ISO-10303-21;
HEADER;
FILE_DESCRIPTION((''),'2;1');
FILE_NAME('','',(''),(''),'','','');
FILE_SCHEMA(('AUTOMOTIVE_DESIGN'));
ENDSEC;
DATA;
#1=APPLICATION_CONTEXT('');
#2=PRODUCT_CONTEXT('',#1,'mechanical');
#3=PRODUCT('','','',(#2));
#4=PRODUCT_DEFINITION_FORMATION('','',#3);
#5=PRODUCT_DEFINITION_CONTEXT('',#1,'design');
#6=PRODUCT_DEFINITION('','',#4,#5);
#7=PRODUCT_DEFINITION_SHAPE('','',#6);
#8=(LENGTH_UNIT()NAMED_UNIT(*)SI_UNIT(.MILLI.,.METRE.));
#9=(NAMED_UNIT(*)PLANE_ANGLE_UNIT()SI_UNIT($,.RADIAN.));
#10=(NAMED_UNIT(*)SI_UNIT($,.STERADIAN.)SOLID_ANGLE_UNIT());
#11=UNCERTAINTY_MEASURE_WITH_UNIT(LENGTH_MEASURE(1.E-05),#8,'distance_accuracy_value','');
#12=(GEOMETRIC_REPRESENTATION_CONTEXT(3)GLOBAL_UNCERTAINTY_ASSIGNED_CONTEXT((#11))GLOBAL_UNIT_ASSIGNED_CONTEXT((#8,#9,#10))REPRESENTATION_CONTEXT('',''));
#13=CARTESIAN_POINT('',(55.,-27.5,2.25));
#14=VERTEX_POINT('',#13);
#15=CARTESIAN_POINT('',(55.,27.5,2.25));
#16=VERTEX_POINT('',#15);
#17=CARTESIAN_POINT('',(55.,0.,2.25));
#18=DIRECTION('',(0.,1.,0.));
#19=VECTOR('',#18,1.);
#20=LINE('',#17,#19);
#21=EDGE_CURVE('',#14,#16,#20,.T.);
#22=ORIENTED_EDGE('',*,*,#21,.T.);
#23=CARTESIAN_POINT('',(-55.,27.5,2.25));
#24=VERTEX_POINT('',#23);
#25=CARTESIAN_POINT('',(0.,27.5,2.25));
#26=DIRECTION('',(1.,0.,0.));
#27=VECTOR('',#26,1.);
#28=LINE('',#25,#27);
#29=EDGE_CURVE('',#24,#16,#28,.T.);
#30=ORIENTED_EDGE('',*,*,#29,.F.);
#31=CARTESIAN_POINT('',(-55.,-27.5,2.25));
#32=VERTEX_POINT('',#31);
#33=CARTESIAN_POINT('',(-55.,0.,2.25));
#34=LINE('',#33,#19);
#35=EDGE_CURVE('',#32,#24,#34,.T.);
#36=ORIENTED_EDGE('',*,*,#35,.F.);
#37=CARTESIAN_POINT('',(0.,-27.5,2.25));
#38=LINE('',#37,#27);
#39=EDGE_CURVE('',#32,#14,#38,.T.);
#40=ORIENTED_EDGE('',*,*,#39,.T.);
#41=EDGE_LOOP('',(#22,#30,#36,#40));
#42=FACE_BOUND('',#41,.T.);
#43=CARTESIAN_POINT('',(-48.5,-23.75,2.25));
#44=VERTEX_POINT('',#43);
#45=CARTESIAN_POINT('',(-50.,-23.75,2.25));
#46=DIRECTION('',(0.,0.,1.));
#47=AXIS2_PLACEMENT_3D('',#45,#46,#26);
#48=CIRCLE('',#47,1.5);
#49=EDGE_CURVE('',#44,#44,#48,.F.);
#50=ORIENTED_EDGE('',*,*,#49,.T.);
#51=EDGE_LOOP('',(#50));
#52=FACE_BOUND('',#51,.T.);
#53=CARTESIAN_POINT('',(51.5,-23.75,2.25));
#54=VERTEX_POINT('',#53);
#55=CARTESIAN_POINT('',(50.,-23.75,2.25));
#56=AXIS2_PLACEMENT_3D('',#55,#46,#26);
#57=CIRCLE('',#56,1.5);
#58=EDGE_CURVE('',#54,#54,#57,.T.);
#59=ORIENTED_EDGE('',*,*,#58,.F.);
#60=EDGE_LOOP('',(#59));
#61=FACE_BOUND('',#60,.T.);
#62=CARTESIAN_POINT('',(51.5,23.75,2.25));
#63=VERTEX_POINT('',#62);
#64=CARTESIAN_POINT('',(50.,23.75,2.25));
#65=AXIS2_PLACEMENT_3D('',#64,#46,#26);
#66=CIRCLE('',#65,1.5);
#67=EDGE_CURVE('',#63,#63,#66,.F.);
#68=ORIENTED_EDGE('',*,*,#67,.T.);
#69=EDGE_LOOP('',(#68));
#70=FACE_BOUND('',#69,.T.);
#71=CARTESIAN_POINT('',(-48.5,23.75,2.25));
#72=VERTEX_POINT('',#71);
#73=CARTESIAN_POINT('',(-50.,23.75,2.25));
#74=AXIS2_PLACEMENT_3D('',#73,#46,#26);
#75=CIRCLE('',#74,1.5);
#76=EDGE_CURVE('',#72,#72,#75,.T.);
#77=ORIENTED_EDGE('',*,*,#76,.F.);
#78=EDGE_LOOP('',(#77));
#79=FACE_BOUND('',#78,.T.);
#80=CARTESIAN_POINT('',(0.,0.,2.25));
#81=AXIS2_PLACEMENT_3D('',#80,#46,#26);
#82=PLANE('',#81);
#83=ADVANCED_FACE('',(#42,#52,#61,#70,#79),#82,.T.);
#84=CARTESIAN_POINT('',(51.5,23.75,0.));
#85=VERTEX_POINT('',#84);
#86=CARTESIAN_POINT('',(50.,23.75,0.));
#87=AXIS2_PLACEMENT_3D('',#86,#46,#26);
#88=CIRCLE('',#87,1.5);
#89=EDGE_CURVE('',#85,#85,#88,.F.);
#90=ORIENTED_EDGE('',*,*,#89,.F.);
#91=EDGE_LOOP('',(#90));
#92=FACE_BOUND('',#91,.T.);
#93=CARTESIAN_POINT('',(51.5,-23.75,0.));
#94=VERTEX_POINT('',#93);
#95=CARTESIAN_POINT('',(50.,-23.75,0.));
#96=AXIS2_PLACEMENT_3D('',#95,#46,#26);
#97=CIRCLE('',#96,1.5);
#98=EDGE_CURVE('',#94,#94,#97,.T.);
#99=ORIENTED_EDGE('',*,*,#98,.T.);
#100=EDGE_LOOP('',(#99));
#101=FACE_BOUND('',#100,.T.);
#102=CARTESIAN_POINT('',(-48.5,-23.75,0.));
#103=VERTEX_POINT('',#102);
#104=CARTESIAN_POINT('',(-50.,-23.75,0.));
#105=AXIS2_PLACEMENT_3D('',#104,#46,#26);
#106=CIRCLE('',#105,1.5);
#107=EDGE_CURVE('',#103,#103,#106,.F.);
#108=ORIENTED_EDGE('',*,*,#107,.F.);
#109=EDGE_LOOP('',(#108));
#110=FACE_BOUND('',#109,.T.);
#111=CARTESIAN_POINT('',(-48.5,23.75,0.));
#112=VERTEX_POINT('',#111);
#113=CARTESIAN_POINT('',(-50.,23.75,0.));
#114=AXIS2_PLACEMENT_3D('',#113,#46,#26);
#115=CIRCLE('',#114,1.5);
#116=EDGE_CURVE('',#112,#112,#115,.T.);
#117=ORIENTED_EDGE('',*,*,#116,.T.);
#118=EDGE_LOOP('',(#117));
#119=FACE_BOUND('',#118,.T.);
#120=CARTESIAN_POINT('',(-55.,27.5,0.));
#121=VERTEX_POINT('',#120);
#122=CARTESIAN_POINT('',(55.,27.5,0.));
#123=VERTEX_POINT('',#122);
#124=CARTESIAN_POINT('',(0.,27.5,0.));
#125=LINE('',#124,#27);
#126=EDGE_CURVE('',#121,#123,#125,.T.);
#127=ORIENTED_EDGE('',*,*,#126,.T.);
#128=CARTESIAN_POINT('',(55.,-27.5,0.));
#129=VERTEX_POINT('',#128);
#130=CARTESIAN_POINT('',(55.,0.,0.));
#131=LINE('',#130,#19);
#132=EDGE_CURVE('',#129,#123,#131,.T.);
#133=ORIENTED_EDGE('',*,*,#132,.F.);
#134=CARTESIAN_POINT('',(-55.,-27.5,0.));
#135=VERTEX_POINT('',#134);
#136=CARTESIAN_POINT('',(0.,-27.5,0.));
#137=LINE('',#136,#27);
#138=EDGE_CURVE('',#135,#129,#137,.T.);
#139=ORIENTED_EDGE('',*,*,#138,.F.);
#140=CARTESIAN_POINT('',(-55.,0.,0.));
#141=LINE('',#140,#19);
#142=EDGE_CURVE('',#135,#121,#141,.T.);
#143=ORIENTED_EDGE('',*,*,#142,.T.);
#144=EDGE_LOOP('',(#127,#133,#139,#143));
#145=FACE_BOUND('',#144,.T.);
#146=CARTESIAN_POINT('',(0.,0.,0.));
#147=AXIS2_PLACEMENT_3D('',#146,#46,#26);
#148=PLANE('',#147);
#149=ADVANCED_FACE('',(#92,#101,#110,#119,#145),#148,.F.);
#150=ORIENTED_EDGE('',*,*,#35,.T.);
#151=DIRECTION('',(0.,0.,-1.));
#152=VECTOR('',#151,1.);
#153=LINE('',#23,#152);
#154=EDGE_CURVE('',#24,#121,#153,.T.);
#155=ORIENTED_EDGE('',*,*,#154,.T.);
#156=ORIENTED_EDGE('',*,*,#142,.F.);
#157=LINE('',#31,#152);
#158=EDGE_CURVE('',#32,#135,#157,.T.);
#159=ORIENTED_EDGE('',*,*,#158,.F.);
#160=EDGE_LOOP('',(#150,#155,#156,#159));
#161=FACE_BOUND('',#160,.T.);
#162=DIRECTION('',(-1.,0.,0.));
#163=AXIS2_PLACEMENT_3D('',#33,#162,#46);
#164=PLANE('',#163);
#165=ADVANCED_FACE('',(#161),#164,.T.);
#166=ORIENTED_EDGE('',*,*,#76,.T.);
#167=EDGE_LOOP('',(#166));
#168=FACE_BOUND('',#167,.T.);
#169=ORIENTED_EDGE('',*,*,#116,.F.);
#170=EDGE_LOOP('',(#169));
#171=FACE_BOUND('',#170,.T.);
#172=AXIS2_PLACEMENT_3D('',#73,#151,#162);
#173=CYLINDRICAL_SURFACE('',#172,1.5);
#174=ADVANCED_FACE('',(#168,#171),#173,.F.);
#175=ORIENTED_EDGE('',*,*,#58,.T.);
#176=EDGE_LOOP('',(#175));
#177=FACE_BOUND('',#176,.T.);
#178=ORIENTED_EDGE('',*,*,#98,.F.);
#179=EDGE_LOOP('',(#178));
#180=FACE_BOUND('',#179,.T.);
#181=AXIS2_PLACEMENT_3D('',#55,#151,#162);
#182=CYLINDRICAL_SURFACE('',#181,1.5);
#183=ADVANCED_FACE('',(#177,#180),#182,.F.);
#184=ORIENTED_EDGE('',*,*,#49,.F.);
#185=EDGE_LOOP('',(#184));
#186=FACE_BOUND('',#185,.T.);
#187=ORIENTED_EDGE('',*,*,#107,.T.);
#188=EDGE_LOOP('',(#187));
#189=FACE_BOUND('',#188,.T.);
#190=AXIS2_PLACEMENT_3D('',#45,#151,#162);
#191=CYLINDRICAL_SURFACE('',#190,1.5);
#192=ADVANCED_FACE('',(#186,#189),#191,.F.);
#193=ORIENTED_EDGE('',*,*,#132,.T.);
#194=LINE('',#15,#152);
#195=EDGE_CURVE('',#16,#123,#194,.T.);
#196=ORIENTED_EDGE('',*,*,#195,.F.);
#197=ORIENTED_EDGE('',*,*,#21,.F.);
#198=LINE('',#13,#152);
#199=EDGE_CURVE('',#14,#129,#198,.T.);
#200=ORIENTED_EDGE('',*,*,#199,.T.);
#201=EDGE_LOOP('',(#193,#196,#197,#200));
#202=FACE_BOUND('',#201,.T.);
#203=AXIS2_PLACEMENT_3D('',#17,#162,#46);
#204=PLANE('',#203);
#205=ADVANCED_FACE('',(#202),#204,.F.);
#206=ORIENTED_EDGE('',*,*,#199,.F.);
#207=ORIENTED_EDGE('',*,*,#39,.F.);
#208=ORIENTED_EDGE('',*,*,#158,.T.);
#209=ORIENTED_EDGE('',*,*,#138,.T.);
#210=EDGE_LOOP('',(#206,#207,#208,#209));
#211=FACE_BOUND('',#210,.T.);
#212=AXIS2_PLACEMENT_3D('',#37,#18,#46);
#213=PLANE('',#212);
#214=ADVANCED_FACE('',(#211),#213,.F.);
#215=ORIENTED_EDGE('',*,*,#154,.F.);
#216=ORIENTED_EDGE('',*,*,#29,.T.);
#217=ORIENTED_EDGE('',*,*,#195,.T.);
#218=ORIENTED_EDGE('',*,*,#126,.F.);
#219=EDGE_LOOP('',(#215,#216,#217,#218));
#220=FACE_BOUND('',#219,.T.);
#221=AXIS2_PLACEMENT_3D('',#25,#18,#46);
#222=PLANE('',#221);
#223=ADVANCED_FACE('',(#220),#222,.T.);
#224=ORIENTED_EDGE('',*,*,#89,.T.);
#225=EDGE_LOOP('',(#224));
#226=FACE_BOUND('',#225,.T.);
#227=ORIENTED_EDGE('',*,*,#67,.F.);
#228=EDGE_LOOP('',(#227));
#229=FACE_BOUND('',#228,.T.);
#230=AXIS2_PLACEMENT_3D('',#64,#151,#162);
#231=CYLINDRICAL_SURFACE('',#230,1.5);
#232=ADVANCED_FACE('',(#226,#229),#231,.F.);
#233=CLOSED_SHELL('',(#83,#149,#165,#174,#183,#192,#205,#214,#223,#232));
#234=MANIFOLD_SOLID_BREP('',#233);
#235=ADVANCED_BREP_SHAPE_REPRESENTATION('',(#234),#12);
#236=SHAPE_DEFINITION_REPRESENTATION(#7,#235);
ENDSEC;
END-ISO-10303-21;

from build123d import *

# Parameters (mm, degrees)
SKETCH_1_W      = 110
SKETCH_1_H      = 55
SKETCH_1_R      = 1.5
EXTRUDE_1_DEPTH = 2.25


with BuildPart() as part:
    # Эскиз1 → Бобышка-Вытянуть1 (new body)
    with BuildSketch(Plane.XY):
        Rectangle(SKETCH_1_W, SKETCH_1_H)
        with Locations((-50, -23.75)):
            Circle(SKETCH_1_R, mode=Mode.SUBTRACT)
        with Locations((-50, 23.75)):
            Circle(SKETCH_1_R, mode=Mode.SUBTRACT)
        with Locations((50, -23.75)):
            Circle(SKETCH_1_R, mode=Mode.SUBTRACT)
        with Locations((50, 23.75)):
            Circle(SKETCH_1_R, mode=Mode.SUBTRACT)
    extrude(amount=EXTRUDE_1_DEPTH)


solid = part.part
